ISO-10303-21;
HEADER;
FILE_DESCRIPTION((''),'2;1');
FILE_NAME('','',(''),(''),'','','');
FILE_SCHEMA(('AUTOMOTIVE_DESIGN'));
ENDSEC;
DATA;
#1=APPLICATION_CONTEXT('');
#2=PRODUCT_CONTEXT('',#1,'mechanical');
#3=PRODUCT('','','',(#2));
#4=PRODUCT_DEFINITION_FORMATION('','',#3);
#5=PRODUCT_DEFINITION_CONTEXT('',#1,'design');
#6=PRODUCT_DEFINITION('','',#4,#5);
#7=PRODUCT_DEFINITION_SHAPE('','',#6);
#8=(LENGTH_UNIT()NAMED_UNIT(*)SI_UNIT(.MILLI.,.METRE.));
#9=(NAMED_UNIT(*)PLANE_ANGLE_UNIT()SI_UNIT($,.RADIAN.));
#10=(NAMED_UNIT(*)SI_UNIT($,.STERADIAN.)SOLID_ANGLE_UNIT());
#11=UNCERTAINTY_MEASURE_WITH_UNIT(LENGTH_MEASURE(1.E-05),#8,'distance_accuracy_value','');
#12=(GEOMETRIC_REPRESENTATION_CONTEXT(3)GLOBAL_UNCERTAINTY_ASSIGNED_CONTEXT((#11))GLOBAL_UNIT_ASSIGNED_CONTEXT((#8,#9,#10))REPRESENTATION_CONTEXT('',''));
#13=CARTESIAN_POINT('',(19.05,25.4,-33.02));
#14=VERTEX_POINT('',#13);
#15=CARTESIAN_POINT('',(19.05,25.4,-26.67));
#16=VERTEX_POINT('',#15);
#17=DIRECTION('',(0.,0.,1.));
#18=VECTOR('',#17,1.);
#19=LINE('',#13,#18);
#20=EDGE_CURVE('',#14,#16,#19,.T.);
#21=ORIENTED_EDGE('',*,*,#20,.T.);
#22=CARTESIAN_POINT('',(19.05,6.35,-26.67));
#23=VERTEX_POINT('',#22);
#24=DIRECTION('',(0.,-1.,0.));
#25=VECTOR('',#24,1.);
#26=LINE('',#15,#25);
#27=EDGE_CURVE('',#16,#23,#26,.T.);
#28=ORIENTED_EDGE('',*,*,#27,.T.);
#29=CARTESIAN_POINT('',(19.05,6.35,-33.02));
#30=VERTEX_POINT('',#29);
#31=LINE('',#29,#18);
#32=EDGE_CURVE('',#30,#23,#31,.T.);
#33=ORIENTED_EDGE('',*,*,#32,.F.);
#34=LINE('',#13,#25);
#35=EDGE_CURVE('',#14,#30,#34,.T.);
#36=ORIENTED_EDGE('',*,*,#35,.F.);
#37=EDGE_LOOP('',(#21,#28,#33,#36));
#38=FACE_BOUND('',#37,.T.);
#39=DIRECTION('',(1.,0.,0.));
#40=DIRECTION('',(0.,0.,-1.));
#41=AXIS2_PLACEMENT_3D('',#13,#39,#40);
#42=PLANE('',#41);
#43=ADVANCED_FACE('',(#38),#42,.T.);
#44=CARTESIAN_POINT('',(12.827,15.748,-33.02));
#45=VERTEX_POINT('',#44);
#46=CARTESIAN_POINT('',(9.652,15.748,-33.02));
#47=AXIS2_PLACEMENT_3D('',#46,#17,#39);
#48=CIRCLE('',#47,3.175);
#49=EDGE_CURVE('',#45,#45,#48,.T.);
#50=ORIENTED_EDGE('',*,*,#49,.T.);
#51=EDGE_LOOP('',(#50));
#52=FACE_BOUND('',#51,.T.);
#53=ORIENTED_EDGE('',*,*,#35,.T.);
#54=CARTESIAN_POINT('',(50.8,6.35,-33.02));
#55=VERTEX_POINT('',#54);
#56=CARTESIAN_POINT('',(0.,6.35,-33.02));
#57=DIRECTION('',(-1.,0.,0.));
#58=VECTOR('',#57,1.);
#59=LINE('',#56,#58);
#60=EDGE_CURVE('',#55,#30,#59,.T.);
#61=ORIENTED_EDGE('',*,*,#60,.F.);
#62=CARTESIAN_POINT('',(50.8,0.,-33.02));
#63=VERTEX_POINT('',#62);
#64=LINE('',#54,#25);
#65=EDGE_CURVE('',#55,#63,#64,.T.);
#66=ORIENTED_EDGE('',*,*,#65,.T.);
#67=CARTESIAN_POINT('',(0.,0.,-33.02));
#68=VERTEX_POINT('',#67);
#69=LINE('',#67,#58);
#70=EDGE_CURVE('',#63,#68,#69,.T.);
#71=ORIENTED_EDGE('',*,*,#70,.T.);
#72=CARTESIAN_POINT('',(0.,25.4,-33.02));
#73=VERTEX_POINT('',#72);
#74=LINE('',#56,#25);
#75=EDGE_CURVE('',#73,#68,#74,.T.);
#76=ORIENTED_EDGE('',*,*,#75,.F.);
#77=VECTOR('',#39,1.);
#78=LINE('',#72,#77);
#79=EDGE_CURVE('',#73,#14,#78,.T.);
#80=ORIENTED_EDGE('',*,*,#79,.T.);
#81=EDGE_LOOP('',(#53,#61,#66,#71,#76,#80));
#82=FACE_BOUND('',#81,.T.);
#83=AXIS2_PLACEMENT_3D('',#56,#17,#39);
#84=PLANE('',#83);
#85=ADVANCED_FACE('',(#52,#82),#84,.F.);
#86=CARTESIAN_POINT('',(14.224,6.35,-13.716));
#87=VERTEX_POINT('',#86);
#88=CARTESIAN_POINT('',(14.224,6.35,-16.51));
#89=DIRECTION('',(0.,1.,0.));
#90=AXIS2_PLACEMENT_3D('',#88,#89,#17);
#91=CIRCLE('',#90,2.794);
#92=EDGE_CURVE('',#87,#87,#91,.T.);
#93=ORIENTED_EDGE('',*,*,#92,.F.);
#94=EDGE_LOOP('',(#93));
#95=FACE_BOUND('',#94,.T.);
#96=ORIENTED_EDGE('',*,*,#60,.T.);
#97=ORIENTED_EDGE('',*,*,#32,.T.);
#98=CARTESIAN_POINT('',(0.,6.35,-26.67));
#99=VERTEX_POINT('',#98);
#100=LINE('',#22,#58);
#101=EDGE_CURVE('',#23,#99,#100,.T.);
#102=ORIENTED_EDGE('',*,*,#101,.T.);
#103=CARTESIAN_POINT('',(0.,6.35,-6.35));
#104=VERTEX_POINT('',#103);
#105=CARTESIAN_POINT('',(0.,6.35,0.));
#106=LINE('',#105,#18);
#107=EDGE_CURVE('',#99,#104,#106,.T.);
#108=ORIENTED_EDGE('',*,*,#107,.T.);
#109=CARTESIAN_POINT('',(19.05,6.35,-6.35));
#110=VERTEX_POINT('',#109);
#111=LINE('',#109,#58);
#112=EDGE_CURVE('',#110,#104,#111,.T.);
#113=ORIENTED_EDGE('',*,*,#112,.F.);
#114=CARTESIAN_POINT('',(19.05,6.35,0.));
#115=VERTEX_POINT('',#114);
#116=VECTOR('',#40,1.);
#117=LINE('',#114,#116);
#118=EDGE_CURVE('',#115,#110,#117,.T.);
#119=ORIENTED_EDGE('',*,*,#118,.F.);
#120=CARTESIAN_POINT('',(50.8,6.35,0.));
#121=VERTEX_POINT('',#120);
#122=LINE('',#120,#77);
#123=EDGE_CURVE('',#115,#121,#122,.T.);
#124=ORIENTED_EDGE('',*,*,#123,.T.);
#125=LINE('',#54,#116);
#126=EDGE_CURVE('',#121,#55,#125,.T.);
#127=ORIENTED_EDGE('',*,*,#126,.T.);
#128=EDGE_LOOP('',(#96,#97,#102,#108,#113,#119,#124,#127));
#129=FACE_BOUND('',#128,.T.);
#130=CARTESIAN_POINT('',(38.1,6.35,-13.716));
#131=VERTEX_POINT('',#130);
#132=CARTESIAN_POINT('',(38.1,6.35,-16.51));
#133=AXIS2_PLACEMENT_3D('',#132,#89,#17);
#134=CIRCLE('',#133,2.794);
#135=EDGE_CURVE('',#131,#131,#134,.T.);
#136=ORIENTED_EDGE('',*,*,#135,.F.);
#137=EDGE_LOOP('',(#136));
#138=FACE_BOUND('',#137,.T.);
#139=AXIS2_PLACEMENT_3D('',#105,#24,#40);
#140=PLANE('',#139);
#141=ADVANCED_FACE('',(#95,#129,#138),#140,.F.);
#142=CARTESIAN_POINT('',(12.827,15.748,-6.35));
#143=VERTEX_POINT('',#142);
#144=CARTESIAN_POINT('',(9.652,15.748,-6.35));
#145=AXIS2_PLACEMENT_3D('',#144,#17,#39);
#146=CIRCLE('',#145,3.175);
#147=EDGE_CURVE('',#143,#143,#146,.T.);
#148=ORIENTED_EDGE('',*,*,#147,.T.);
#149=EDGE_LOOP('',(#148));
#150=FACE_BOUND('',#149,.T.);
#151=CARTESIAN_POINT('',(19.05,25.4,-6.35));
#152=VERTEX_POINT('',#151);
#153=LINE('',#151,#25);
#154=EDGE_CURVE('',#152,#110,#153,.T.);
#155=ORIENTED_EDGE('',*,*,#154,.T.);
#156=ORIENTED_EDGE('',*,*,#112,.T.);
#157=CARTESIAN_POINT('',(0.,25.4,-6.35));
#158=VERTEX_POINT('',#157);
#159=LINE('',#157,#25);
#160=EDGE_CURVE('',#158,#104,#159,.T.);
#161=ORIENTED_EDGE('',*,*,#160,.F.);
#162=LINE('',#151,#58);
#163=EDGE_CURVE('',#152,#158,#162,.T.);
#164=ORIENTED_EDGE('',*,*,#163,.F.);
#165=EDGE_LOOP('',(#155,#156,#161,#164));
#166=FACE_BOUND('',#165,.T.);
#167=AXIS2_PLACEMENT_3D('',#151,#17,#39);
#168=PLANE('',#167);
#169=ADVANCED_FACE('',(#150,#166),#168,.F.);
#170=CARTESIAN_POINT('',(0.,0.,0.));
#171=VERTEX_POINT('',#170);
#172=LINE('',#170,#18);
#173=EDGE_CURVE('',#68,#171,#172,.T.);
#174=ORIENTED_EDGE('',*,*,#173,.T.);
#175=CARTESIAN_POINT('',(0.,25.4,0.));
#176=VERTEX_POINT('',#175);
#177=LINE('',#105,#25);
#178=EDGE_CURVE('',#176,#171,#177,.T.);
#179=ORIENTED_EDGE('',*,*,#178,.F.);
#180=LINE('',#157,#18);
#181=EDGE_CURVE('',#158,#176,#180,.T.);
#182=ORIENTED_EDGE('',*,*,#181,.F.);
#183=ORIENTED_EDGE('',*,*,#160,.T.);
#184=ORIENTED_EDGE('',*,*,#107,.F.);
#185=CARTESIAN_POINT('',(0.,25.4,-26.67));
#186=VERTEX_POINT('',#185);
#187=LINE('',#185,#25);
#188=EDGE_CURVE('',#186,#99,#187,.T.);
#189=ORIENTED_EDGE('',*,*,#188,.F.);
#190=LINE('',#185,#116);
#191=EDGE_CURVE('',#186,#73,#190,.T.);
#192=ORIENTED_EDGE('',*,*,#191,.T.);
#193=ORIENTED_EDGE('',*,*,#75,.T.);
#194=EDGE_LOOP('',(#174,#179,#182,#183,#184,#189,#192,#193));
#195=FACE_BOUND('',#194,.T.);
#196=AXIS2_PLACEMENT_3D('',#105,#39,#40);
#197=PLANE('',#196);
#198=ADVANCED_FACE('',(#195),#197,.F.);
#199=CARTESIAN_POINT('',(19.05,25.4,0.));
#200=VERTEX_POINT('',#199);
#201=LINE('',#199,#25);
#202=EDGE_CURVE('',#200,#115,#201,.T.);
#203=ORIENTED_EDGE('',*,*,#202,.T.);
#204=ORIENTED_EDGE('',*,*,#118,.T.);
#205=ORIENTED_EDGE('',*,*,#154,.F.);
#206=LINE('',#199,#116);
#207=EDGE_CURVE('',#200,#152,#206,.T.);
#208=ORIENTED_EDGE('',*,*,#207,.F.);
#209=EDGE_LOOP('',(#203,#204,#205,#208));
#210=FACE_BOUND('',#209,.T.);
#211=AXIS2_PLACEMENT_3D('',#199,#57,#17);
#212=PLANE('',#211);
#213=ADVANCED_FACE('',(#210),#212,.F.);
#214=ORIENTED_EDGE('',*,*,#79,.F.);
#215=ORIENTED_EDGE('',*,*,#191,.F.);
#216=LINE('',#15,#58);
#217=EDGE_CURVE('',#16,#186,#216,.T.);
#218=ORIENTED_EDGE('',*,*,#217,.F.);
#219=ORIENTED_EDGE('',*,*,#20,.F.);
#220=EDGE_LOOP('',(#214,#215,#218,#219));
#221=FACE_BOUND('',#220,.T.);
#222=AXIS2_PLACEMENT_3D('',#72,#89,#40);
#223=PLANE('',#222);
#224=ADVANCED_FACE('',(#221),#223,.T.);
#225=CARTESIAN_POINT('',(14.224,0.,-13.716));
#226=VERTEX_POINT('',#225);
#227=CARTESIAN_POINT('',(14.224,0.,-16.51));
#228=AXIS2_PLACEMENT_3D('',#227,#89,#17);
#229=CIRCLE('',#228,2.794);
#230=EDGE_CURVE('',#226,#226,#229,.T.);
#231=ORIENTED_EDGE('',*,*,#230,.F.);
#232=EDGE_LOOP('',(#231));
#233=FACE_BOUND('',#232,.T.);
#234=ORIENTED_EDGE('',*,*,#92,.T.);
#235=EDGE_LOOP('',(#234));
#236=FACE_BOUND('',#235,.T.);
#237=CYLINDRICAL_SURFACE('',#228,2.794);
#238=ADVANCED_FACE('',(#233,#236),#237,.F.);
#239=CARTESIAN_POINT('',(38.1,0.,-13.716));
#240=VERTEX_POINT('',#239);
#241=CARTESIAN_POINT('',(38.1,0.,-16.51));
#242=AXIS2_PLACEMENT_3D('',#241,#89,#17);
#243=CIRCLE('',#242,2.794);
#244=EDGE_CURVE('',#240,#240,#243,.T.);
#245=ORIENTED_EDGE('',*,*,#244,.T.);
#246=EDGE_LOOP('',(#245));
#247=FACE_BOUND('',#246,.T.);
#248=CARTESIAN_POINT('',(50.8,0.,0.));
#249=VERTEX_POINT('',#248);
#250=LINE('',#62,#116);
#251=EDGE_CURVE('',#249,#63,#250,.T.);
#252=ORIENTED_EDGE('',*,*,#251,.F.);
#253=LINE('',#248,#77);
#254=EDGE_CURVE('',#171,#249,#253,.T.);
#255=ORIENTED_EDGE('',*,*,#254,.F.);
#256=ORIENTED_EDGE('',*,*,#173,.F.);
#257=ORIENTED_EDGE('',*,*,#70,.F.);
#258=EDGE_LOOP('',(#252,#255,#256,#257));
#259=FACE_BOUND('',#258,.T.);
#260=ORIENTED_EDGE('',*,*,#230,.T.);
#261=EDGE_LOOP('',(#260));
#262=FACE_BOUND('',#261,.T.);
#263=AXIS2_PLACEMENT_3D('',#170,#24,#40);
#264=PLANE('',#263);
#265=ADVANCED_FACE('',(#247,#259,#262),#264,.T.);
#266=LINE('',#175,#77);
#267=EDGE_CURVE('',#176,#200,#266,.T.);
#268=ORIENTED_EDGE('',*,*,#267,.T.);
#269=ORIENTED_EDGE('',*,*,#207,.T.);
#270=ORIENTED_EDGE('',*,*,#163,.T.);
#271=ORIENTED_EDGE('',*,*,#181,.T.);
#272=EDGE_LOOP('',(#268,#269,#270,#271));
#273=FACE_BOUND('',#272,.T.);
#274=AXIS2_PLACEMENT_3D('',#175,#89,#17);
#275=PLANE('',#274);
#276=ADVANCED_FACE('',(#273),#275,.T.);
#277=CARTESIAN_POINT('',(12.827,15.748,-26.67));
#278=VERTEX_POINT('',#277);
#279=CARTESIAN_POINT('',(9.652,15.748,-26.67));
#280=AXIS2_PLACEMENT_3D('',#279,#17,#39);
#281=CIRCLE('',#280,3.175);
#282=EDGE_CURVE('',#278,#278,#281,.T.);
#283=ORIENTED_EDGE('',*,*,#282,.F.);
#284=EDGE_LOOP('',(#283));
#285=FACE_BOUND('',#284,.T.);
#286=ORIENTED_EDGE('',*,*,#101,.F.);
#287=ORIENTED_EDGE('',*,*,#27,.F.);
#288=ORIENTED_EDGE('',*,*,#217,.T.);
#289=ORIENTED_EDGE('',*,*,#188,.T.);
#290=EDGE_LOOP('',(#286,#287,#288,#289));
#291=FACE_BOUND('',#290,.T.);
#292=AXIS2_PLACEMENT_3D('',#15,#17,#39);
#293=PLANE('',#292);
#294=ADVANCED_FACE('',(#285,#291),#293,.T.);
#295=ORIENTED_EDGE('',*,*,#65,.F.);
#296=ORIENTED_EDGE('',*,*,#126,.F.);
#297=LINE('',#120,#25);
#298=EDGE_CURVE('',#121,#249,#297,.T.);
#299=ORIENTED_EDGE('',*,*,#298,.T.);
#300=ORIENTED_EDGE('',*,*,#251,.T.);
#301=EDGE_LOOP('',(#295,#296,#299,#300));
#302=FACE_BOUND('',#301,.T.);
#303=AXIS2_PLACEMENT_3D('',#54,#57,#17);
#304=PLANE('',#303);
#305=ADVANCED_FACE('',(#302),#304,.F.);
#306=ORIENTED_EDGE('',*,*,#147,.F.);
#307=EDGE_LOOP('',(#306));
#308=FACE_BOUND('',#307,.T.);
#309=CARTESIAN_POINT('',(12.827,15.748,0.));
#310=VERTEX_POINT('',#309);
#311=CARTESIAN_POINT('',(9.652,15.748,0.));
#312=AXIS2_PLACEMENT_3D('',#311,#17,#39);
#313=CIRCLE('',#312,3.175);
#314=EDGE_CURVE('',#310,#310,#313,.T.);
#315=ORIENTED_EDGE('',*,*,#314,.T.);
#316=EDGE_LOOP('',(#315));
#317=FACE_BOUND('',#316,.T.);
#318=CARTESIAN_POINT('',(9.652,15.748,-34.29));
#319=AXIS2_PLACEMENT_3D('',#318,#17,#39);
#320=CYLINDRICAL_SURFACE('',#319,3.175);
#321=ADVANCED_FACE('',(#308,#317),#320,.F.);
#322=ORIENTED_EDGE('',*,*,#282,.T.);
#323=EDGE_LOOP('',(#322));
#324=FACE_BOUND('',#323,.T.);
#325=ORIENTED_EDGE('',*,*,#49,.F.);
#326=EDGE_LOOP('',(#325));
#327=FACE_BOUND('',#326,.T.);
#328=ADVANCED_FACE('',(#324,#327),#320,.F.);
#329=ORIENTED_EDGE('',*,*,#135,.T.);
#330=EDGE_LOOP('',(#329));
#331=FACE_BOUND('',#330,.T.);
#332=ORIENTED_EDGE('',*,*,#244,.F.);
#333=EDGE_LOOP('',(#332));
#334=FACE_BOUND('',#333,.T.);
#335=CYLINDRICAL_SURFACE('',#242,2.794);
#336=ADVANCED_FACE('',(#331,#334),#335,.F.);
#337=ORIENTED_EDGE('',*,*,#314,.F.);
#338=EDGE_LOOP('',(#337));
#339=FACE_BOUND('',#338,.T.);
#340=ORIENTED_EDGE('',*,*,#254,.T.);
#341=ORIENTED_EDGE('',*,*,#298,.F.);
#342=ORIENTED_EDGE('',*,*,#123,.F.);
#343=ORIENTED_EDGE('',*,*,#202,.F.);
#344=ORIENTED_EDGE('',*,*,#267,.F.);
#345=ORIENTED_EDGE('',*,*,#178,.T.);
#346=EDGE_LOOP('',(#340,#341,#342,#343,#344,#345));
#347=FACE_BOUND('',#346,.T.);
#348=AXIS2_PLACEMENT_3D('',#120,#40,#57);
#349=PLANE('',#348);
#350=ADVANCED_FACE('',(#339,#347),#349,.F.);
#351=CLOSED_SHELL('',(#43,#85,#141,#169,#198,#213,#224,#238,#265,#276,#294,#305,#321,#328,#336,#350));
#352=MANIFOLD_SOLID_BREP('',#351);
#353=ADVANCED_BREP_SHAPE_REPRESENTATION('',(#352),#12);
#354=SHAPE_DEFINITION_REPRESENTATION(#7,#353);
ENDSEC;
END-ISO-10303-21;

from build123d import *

# Parameters (mm, degrees)
SKETCH3_W           = 50.8
SKETCH3_H           = 33.02
BOSS_EXTRUDE2_DEPTH = 6.35
SKETCH4_R           = 2.794
CUT_EXTRUDE1_DEPTH  = 7.35
SKETCH5_W           = 19.05
SKETCH5_H           = 6.35
BOSS_EXTRUDE3_DEPTH = 19.05
SKETCH7_R           = 3.175
CUT_EXTRUDE2_DEPTH  = 34.29


with BuildPart() as part:
    # Sketch3 → Boss-Extrude2 (new body)
    with BuildSketch(Plane(origin=(0, 0, 0), x_dir=(1, 0, 0), z_dir=(0, 1, 0))):
        with Locations((25.4, 16.51)):
            Rectangle(SKETCH3_W, SKETCH3_H)
    extrude(amount=BOSS_EXTRUDE2_DEPTH)

    # Sketch4 → Cut-Extrude1 (cut, through all)
    with BuildSketch(Plane(origin=(0, 6.35, 0), x_dir=(1, 0, 0), z_dir=(0, 1, 0))):
        with Locations((14.224, 16.51)):
            Circle(SKETCH4_R)
        with Locations((38.1, 16.51)):
            Circle(SKETCH4_R)
    extrude(amount=-CUT_EXTRUDE1_DEPTH, mode=Mode.SUBTRACT)

    # Sketch5 → Boss-Extrude3 (add)
    with BuildSketch(Plane(origin=(0, 6.35, 0), x_dir=(1, 0, 0), z_dir=(0, 1, 0))):
        with Locations((9.525, 3.175)):
            Rectangle(SKETCH5_W, SKETCH5_H)
    boss_extrude3 = extrude(amount=BOSS_EXTRUDE3_DEPTH)

    # Mirror1: Boss-Extrude3 across plane
    add(boss_extrude3.mirror(Plane.XY.offset(-16.51)))

    # Sketch7 → Cut-Extrude2 (cut)
    with BuildSketch(Plane.XY):
        with Locations((9.652, 15.748)):
            Circle(SKETCH7_R)
    extrude(amount=-CUT_EXTRUDE2_DEPTH, mode=Mode.SUBTRACT)


solid = part.part
